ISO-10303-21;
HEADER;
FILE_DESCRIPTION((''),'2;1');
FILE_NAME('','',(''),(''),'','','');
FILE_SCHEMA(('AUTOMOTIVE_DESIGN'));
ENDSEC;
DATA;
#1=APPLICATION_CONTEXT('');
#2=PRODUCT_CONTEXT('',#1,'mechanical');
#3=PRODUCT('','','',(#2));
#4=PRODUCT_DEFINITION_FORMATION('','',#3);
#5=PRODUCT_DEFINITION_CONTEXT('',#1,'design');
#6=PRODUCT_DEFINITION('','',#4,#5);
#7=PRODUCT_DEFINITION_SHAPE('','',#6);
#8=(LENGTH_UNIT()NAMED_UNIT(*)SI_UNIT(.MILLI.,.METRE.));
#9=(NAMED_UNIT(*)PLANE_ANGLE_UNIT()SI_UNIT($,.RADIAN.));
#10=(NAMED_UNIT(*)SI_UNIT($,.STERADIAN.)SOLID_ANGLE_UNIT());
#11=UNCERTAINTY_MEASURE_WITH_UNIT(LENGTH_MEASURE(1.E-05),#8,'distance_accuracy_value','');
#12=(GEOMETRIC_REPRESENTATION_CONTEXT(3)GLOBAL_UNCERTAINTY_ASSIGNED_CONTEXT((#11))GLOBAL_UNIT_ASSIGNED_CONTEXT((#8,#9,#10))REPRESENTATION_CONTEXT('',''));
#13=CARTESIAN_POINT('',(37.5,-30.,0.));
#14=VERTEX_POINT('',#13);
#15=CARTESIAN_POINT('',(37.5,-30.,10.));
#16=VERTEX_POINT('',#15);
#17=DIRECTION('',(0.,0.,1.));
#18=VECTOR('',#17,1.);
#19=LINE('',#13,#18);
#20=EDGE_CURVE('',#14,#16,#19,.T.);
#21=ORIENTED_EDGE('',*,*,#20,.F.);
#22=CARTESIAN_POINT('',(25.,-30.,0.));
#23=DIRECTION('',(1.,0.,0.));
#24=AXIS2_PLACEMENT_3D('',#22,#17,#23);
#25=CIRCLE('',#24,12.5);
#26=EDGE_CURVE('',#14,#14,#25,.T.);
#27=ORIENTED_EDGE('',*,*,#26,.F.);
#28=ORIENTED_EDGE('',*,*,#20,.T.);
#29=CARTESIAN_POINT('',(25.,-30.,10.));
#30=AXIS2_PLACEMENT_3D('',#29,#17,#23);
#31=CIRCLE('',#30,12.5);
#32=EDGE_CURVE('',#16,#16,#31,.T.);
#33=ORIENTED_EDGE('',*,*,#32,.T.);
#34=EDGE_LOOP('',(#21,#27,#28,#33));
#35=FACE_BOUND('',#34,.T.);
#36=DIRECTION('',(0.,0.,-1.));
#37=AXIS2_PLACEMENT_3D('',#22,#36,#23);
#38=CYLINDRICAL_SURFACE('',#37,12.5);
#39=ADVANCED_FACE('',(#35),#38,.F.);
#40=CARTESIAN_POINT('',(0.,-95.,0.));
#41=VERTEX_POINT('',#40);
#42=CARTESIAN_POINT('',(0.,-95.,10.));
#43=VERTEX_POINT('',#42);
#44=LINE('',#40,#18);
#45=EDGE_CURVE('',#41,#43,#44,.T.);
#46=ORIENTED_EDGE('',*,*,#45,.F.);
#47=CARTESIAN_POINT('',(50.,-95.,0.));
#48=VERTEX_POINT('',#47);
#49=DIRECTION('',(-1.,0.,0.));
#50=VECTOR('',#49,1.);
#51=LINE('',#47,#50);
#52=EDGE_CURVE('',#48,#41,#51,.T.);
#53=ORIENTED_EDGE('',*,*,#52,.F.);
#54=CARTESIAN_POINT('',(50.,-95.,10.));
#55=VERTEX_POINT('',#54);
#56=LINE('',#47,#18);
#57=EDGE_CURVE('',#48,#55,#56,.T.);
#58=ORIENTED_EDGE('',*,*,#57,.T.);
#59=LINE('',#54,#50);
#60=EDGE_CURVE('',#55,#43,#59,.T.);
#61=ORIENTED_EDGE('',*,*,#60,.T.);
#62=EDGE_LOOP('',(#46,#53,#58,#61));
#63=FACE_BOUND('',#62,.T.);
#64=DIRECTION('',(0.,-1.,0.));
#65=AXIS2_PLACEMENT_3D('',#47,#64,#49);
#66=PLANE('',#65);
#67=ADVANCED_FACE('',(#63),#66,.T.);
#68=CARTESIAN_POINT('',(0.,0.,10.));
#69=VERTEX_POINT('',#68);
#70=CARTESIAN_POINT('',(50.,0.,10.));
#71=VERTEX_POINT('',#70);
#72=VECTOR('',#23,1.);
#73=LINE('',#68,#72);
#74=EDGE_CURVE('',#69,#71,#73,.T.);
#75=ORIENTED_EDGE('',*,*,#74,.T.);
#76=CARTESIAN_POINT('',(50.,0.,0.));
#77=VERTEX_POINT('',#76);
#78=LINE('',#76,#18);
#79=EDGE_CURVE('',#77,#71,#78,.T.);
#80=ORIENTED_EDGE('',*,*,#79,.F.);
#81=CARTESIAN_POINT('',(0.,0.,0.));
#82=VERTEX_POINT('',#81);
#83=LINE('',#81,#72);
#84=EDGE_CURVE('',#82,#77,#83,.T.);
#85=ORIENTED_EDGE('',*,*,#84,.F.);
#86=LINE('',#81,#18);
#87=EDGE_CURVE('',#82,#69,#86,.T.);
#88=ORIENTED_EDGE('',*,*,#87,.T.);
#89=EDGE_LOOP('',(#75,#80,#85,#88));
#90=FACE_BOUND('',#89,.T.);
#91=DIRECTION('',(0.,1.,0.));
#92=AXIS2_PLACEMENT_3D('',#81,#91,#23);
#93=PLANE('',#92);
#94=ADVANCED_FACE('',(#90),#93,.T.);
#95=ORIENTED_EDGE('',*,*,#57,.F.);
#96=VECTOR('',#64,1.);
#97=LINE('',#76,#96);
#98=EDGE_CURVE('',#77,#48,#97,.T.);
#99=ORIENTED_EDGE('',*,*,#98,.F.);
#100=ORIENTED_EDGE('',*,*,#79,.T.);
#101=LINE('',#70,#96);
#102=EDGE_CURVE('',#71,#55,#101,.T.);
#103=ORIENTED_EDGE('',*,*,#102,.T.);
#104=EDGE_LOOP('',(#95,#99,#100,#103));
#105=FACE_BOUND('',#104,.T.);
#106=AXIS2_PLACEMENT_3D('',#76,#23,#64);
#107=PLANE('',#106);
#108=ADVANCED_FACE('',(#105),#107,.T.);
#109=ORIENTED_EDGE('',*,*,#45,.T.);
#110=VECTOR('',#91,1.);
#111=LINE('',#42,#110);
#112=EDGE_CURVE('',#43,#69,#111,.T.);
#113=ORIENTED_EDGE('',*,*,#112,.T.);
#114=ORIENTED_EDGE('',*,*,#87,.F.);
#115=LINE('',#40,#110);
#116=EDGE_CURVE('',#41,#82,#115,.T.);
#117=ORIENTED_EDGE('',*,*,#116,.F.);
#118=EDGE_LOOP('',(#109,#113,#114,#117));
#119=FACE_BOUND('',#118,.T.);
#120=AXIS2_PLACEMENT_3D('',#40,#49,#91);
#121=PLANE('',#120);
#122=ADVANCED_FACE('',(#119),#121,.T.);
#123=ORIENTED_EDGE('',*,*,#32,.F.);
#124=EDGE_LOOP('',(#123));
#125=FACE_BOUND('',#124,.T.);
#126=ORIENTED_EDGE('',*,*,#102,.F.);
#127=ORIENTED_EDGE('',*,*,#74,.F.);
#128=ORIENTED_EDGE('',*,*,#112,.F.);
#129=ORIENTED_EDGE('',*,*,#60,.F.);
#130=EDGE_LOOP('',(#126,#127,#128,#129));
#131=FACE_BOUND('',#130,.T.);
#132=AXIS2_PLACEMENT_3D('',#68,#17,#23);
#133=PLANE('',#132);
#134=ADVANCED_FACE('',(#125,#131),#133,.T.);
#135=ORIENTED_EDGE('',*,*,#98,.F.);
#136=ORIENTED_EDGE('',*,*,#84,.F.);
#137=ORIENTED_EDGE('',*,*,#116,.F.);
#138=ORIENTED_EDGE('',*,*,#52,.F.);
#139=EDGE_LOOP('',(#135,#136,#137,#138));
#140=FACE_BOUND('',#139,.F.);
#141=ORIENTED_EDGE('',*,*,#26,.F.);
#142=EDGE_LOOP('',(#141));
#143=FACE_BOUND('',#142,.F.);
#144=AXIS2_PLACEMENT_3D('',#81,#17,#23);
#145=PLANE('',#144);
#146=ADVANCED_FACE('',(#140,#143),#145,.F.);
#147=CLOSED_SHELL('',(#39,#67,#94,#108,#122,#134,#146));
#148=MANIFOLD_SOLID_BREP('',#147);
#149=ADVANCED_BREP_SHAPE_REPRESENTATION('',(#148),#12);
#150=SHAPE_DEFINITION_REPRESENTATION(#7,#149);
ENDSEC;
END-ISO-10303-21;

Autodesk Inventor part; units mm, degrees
ref_plane "YZ Plane" through (0, 0, 0) normal (1, 0, 0) x (0, 1, 0)
ref_plane "XZ Plane" through (0, 0, 0) normal (0, 1, 0) x (-1, 0, 0)
ref_plane "XY Plane" through (0, 0, 0) normal (0, 0, 1) x (1, 0, 0)
sketch "Boceto1" plane through (0, 0, 0) normal (0, 0, 1) x (1, 0, 0)
  line L0 (0, 0) -> (50, 0)
  line L1 (50, 0) -> (50, -95)
  line L2 (50, -95) -> (0, -95)
  line L3 (0, -95) -> (0, 0)
  circle A0 centre (25, -30) radius 12.5
  dimension "d0" = 50
  dimension "d1" = 95
  dimension "d2" = 25
extrude "Extrusión1" add sketch "Boceto1" along normal blind 10
properties part number "BaseM"
